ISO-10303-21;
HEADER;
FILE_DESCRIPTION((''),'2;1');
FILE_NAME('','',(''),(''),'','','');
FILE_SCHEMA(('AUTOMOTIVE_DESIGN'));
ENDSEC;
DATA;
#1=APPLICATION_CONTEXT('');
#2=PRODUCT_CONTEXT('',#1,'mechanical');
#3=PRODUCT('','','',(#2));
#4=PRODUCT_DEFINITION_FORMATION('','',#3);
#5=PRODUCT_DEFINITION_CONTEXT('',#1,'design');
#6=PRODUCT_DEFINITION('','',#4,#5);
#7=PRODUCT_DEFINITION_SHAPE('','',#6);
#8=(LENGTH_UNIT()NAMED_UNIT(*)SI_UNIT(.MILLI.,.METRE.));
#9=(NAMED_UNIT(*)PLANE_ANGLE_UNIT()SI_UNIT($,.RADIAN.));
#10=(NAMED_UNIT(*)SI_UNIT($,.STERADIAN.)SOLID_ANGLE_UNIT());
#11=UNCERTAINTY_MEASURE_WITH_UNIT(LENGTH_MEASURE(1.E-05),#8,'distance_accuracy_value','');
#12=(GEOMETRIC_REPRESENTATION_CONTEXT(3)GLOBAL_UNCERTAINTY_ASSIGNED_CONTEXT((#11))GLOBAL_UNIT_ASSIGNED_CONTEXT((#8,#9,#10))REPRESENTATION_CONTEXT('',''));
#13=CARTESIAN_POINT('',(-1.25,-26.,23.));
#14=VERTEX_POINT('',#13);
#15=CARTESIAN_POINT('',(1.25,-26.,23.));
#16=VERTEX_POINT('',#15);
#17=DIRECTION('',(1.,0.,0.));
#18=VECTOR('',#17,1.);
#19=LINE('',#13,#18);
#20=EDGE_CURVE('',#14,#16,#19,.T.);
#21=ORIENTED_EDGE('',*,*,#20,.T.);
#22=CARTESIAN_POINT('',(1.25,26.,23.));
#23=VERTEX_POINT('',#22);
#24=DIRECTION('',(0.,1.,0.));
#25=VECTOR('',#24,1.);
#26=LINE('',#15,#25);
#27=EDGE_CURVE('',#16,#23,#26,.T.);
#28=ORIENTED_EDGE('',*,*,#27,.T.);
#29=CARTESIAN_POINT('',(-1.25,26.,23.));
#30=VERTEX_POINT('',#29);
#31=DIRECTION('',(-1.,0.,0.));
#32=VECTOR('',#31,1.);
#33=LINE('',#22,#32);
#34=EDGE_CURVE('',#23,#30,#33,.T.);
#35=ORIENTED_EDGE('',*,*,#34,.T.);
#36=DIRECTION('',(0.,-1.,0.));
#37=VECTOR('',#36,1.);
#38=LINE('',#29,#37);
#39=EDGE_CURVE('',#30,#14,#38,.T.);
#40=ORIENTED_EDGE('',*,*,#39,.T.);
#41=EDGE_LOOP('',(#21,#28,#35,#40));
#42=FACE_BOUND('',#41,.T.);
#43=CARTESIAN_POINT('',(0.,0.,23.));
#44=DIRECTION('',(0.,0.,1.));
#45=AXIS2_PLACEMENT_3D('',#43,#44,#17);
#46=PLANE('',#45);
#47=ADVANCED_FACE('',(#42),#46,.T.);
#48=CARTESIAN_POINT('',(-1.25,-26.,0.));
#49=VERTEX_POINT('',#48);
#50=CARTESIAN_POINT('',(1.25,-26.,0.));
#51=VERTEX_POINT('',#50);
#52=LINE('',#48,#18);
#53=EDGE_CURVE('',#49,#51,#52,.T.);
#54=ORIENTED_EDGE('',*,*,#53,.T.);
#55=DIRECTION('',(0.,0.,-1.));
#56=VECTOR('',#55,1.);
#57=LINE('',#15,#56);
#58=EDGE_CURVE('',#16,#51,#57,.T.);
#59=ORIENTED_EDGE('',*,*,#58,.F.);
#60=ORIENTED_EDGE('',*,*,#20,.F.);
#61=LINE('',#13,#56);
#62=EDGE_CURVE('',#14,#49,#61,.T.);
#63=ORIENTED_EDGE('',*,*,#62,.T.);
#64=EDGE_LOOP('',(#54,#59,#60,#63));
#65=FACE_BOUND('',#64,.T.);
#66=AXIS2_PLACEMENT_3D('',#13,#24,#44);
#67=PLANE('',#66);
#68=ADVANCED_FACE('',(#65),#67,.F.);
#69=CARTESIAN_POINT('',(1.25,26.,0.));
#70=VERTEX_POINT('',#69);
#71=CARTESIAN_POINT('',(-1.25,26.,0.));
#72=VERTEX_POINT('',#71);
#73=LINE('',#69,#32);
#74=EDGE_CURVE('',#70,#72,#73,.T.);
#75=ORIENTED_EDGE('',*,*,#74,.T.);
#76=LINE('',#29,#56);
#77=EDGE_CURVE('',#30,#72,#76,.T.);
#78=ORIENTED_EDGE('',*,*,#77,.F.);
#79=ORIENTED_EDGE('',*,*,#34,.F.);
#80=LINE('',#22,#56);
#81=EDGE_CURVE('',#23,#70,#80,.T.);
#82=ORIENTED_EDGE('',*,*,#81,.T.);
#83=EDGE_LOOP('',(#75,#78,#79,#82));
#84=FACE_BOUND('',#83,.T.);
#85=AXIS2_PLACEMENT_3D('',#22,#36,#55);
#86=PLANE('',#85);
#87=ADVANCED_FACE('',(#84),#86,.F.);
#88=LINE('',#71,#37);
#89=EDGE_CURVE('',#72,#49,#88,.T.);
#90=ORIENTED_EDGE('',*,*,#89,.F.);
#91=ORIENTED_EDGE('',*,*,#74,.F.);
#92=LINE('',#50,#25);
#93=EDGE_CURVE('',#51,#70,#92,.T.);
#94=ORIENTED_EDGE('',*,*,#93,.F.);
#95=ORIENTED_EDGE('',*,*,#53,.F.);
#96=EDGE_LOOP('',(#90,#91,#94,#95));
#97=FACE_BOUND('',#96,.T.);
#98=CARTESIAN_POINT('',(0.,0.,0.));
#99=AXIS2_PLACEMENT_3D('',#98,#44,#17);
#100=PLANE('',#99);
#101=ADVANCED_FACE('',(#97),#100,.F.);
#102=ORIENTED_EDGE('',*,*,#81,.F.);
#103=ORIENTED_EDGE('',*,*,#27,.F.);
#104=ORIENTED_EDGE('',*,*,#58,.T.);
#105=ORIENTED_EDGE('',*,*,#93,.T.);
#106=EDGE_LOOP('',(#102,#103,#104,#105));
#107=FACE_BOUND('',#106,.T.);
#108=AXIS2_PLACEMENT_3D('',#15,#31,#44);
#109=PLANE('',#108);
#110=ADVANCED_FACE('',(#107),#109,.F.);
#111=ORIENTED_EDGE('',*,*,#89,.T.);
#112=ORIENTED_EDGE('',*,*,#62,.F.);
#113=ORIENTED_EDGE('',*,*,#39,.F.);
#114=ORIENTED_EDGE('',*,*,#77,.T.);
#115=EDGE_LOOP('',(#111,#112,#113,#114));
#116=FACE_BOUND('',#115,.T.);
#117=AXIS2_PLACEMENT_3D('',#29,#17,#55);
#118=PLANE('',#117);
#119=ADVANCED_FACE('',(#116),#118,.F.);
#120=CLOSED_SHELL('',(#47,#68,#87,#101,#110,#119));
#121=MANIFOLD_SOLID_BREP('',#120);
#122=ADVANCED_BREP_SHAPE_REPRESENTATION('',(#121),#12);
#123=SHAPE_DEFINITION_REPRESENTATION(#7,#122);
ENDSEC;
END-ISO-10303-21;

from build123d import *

# Parameters (mm, degrees)
SKETCH_1_W      = 2.5
SKETCH_1_H      = 52
EXTRUDE_1_DEPTH = 23


with BuildPart() as part:
    # 草圖1 → 填料-伸長1 (new body)
    with BuildSketch(Plane.XY):
        Rectangle(SKETCH_1_W, SKETCH_1_H)
    extrude(amount=EXTRUDE_1_DEPTH)


solid = part.part
